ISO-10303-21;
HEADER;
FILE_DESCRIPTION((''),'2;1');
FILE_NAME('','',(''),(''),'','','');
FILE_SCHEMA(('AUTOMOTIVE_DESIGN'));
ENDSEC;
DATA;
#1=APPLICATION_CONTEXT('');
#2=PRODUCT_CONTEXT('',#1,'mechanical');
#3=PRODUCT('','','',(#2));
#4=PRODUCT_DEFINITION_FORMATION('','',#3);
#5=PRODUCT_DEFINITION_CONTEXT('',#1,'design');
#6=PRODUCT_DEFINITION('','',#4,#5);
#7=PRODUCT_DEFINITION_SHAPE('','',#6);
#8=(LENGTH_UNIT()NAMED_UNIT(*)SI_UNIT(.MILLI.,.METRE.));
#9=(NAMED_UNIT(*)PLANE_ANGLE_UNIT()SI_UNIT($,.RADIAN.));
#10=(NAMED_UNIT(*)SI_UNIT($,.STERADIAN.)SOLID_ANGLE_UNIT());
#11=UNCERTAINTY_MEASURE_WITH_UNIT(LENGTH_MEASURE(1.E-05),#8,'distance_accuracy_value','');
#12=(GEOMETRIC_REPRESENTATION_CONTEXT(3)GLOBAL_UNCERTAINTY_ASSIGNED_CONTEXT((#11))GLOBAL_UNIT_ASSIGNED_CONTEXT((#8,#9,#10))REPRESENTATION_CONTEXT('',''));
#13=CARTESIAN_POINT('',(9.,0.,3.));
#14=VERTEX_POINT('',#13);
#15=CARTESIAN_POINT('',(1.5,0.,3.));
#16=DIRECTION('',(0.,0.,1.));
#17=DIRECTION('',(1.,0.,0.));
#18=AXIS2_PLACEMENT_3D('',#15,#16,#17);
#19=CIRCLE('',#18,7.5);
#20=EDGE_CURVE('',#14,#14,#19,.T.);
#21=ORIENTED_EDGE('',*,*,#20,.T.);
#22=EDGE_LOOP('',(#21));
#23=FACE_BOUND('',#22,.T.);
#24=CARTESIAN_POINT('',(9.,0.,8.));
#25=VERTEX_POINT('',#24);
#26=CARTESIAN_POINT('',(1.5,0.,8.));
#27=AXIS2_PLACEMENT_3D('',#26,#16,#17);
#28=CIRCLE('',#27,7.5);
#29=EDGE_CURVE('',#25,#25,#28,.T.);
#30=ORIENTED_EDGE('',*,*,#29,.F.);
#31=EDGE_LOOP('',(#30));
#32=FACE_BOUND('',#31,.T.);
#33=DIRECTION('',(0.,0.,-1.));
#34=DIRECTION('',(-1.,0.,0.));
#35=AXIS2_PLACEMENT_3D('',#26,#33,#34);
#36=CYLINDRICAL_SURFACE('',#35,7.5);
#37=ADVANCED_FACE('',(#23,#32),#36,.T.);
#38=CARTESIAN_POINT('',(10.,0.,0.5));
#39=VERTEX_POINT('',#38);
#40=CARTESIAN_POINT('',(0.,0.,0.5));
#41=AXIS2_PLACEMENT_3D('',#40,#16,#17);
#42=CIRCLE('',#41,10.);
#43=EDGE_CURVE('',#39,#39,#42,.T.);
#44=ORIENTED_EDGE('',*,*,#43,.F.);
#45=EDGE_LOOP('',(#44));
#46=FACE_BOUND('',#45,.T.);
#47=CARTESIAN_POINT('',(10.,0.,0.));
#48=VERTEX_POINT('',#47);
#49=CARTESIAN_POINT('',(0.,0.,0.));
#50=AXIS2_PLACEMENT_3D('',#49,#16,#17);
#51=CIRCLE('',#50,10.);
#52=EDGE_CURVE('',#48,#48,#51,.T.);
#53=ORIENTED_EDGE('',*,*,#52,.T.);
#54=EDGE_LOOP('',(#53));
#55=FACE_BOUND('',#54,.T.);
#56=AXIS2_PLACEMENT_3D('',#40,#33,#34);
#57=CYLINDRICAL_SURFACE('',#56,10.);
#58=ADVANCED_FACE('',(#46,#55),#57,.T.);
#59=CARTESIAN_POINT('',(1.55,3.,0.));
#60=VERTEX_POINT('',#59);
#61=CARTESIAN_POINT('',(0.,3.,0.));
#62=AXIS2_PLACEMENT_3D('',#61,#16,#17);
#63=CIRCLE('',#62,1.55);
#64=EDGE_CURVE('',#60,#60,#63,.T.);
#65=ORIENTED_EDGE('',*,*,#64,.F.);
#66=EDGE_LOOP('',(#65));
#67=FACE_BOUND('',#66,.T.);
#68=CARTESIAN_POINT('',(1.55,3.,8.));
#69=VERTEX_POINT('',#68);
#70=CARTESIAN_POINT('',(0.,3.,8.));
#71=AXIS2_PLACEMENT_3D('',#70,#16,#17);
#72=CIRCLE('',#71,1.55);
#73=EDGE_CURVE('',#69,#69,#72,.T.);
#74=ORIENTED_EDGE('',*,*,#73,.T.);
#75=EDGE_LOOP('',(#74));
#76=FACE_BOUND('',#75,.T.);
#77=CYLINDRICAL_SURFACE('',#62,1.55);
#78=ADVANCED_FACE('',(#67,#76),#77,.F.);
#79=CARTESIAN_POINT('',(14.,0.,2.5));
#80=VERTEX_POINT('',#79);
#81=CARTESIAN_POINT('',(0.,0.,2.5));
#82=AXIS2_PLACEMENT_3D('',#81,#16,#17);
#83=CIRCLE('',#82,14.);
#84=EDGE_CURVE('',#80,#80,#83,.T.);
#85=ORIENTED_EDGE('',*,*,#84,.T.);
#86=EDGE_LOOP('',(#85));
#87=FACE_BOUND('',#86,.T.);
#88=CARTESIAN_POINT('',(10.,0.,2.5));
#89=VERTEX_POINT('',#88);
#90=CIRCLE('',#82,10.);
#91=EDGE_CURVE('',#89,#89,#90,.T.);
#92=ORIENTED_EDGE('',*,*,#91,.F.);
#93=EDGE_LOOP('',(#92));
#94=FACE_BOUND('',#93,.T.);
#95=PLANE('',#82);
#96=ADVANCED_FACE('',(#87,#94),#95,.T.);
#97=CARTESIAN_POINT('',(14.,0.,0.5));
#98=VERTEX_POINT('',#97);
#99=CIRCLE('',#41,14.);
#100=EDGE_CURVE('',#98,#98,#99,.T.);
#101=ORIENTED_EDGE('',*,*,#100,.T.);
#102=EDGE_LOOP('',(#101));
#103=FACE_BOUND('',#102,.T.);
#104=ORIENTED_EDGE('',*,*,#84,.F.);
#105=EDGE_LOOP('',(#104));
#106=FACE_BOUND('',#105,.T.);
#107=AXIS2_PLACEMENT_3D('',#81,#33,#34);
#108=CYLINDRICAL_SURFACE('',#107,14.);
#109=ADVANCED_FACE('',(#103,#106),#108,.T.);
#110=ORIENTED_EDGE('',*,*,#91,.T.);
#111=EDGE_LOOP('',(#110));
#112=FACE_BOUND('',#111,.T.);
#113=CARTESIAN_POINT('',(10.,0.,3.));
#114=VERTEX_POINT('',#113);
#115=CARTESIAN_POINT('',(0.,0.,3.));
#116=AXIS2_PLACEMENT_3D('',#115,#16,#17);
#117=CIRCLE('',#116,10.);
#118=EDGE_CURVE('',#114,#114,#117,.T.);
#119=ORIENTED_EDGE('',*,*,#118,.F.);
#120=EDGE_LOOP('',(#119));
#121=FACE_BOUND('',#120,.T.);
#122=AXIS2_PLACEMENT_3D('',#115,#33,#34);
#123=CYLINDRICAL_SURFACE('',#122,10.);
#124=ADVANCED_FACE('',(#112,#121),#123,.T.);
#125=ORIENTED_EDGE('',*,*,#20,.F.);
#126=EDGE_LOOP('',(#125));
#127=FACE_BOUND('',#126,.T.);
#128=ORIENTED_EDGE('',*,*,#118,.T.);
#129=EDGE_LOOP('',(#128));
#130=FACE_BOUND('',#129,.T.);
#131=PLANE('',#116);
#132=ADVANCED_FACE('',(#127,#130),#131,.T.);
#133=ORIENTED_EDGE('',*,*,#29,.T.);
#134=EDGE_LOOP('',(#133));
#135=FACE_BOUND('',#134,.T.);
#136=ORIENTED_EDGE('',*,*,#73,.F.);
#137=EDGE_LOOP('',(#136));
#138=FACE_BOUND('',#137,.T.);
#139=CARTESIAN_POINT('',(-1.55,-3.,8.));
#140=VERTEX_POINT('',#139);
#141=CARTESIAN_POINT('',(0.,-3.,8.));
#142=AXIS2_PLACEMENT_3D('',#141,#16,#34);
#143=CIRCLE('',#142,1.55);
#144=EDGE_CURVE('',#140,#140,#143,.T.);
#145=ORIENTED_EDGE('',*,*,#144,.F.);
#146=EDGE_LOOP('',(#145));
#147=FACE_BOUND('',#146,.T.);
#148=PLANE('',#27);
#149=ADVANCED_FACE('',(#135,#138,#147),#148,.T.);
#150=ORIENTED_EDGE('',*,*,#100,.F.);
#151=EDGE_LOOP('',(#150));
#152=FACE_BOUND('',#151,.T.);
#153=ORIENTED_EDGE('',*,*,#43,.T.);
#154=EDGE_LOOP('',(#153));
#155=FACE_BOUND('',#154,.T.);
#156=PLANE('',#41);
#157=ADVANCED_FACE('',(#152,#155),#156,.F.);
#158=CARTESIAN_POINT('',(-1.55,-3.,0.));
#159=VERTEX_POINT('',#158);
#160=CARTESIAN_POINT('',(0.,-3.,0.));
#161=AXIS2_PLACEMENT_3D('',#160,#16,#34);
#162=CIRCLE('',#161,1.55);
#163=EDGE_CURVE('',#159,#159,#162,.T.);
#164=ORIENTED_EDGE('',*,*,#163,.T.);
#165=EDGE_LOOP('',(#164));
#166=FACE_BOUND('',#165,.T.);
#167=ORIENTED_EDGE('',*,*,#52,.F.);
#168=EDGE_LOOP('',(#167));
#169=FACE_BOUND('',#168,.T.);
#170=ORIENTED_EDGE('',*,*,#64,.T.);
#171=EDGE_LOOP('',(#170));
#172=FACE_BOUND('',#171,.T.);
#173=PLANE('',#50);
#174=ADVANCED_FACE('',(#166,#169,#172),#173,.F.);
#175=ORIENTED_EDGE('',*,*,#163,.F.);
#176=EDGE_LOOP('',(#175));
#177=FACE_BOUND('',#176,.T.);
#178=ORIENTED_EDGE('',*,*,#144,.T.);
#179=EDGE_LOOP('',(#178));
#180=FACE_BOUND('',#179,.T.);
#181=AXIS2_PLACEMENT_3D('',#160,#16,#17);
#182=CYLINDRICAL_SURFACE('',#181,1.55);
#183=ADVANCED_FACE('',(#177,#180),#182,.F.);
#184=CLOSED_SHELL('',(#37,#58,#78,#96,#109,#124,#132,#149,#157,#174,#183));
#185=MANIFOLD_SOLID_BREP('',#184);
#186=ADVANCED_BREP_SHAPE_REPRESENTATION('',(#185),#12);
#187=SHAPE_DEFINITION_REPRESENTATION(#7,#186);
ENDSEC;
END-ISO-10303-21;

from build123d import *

# Parameters (mm, degrees)
SKETCH1_R           = 10
BOSS_EXTRUDE1_DEPTH = 0.5
SKETCH4_R           = 14
BOSS_EXTRUDE3_DEPTH = 2
SKETCH5_R           = 10
BOSS_EXTRUDE4_DEPTH = 0.5
SKETCH6_R           = 7.5
BOSS_EXTRUDE6_DEPTH = 5
SKETCH7_R           = 1.55
CUT_EXTRUDE1_DEPTH  = 22.354156504


with BuildPart() as part:
    # Sketch1 → Boss-Extrude1 (new body)
    with BuildSketch(Plane.XY):
        Circle(SKETCH1_R)
    extrude(amount=BOSS_EXTRUDE1_DEPTH)

    # Sketch4 → Boss-Extrude3 (add)
    with BuildSketch(Plane.XY.offset(0.5)):
        Circle(SKETCH4_R)
    extrude(amount=BOSS_EXTRUDE3_DEPTH)

    # Sketch5 → Boss-Extrude4 (add)
    with BuildSketch(Plane.XY.offset(2.5)):
        Circle(SKETCH5_R)
    extrude(amount=BOSS_EXTRUDE4_DEPTH)

    # Sketch6 → Boss-Extrude6 (add)
    with BuildSketch(Plane.XY.offset(3)):
        with Locations((1.5, 0)):
            Circle(SKETCH6_R)
    extrude(amount=BOSS_EXTRUDE6_DEPTH)

    # Sketch7 → Cut-Extrude1 (cut, through all)
    with BuildSketch(Plane.XY.offset(8)):
        with Locations((0, 3)):
            Circle(SKETCH7_R)
        with Locations(Location((0, -3, 0), (0, 0, 180))):
            Circle(SKETCH7_R)
    extrude(amount=-CUT_EXTRUDE1_DEPTH, mode=Mode.SUBTRACT)


solid = part.part
